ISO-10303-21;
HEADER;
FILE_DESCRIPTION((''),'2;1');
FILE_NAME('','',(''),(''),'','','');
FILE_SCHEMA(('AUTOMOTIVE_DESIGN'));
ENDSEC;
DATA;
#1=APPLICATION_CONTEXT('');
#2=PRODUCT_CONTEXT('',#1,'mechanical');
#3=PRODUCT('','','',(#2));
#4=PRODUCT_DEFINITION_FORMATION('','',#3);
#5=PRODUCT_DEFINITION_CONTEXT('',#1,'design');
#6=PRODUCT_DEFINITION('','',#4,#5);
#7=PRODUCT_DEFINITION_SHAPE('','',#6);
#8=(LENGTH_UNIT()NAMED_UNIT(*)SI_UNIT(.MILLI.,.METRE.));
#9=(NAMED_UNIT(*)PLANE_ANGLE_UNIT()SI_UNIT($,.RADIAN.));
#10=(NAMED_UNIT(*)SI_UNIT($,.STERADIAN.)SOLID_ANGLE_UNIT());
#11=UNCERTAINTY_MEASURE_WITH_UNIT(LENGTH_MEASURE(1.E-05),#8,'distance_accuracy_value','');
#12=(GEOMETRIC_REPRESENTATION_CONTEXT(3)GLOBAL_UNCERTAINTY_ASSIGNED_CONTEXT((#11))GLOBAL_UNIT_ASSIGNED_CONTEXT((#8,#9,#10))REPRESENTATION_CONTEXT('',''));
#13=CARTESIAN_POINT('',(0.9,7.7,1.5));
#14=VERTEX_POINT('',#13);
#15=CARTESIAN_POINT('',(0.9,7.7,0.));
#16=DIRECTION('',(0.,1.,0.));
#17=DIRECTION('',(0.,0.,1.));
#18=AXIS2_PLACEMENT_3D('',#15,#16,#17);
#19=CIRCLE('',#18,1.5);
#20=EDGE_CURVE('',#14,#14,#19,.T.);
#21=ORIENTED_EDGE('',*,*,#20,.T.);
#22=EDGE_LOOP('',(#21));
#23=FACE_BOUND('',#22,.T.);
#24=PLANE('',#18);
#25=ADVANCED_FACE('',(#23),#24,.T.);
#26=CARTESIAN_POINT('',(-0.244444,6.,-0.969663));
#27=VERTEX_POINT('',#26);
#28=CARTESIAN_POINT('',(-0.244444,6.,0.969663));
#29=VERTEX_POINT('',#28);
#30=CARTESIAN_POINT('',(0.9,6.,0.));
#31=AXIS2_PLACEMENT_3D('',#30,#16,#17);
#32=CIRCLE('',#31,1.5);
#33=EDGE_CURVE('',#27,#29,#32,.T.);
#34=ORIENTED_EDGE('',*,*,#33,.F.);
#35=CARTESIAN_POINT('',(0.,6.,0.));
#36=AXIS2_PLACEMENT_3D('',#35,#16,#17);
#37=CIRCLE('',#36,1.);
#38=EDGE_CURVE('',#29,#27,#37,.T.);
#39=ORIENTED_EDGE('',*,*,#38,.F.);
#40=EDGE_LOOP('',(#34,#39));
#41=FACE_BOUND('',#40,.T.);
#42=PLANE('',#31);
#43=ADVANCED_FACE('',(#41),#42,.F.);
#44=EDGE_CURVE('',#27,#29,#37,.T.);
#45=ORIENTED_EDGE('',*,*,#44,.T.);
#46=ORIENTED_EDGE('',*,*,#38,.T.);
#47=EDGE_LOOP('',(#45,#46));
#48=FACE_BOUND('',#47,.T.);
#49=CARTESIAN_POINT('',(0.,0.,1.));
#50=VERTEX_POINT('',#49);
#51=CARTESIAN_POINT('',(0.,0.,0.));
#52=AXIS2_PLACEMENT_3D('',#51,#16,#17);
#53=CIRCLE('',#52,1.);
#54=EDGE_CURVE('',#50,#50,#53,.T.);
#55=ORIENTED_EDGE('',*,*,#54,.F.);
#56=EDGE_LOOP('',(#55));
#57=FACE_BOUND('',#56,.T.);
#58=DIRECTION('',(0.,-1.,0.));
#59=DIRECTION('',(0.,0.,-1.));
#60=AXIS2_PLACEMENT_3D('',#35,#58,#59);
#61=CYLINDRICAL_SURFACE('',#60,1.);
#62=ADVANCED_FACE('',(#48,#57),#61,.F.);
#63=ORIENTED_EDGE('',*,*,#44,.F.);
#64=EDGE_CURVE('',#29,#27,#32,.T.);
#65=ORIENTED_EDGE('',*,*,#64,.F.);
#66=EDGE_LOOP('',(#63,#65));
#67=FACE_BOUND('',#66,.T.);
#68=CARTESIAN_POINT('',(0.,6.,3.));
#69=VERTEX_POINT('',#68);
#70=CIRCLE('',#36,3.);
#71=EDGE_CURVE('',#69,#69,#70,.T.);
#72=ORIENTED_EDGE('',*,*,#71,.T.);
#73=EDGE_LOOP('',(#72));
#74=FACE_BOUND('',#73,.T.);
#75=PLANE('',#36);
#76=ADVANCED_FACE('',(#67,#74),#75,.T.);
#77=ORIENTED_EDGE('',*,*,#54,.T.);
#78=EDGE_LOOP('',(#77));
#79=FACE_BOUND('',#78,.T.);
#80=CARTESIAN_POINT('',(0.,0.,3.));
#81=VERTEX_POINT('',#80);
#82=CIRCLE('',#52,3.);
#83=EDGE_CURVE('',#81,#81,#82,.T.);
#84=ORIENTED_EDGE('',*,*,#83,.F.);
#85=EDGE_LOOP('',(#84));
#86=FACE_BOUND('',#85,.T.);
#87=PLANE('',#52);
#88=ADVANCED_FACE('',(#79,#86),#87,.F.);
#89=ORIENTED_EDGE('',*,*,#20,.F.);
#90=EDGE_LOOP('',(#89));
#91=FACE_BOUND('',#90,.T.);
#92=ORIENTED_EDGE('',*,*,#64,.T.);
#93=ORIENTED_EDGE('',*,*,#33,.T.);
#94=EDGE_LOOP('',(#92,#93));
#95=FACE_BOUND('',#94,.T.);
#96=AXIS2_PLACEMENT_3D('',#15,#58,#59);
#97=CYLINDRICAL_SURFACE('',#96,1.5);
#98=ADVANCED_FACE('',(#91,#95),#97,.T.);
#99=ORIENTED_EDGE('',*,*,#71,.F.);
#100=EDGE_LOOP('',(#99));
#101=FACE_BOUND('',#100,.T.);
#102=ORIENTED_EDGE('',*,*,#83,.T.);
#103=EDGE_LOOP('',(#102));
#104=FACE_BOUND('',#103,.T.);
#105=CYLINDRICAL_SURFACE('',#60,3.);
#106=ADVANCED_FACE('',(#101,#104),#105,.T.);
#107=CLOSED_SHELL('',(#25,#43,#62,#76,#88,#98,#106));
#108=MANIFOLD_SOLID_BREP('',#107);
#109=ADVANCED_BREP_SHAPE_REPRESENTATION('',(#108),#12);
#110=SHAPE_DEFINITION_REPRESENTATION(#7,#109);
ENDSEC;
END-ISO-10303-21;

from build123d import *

# Parameters (mm, degrees)
SKETCH1_R           = 3
SKETCH1_R_2         = 1
BOSS_EXTRUDE1_DEPTH = 6
SKETCH2_R           = 1.5
BOSS_EXTRUDE2_DEPTH = 1.7


with BuildPart() as part:
    # Sketch1 → Boss-Extrude1 (new body)
    with BuildSketch(Plane(origin=(0, 0, 0), x_dir=(1, 0, 0), z_dir=(0, 1, 0))):
        with Locations(Location((0, 0, 0), (0, 0, 270))):
            Circle(SKETCH1_R)
        with Locations(Location((0, 0, 0), (0, 0, 270))):
            Circle(SKETCH1_R_2, mode=Mode.SUBTRACT)
    extrude(amount=BOSS_EXTRUDE1_DEPTH)

    # Sketch2 → Boss-Extrude2 (add)
    with BuildSketch(Plane(origin=(0, 6, 0), x_dir=(1, 0, 0), z_dir=(0, 1, 0))):
        with Locations(Location((0.9, 0, 0), (0, 0, 139.72610706))):
            Circle(SKETCH2_R)
    extrude(amount=BOSS_EXTRUDE2_DEPTH)


solid = part.part
